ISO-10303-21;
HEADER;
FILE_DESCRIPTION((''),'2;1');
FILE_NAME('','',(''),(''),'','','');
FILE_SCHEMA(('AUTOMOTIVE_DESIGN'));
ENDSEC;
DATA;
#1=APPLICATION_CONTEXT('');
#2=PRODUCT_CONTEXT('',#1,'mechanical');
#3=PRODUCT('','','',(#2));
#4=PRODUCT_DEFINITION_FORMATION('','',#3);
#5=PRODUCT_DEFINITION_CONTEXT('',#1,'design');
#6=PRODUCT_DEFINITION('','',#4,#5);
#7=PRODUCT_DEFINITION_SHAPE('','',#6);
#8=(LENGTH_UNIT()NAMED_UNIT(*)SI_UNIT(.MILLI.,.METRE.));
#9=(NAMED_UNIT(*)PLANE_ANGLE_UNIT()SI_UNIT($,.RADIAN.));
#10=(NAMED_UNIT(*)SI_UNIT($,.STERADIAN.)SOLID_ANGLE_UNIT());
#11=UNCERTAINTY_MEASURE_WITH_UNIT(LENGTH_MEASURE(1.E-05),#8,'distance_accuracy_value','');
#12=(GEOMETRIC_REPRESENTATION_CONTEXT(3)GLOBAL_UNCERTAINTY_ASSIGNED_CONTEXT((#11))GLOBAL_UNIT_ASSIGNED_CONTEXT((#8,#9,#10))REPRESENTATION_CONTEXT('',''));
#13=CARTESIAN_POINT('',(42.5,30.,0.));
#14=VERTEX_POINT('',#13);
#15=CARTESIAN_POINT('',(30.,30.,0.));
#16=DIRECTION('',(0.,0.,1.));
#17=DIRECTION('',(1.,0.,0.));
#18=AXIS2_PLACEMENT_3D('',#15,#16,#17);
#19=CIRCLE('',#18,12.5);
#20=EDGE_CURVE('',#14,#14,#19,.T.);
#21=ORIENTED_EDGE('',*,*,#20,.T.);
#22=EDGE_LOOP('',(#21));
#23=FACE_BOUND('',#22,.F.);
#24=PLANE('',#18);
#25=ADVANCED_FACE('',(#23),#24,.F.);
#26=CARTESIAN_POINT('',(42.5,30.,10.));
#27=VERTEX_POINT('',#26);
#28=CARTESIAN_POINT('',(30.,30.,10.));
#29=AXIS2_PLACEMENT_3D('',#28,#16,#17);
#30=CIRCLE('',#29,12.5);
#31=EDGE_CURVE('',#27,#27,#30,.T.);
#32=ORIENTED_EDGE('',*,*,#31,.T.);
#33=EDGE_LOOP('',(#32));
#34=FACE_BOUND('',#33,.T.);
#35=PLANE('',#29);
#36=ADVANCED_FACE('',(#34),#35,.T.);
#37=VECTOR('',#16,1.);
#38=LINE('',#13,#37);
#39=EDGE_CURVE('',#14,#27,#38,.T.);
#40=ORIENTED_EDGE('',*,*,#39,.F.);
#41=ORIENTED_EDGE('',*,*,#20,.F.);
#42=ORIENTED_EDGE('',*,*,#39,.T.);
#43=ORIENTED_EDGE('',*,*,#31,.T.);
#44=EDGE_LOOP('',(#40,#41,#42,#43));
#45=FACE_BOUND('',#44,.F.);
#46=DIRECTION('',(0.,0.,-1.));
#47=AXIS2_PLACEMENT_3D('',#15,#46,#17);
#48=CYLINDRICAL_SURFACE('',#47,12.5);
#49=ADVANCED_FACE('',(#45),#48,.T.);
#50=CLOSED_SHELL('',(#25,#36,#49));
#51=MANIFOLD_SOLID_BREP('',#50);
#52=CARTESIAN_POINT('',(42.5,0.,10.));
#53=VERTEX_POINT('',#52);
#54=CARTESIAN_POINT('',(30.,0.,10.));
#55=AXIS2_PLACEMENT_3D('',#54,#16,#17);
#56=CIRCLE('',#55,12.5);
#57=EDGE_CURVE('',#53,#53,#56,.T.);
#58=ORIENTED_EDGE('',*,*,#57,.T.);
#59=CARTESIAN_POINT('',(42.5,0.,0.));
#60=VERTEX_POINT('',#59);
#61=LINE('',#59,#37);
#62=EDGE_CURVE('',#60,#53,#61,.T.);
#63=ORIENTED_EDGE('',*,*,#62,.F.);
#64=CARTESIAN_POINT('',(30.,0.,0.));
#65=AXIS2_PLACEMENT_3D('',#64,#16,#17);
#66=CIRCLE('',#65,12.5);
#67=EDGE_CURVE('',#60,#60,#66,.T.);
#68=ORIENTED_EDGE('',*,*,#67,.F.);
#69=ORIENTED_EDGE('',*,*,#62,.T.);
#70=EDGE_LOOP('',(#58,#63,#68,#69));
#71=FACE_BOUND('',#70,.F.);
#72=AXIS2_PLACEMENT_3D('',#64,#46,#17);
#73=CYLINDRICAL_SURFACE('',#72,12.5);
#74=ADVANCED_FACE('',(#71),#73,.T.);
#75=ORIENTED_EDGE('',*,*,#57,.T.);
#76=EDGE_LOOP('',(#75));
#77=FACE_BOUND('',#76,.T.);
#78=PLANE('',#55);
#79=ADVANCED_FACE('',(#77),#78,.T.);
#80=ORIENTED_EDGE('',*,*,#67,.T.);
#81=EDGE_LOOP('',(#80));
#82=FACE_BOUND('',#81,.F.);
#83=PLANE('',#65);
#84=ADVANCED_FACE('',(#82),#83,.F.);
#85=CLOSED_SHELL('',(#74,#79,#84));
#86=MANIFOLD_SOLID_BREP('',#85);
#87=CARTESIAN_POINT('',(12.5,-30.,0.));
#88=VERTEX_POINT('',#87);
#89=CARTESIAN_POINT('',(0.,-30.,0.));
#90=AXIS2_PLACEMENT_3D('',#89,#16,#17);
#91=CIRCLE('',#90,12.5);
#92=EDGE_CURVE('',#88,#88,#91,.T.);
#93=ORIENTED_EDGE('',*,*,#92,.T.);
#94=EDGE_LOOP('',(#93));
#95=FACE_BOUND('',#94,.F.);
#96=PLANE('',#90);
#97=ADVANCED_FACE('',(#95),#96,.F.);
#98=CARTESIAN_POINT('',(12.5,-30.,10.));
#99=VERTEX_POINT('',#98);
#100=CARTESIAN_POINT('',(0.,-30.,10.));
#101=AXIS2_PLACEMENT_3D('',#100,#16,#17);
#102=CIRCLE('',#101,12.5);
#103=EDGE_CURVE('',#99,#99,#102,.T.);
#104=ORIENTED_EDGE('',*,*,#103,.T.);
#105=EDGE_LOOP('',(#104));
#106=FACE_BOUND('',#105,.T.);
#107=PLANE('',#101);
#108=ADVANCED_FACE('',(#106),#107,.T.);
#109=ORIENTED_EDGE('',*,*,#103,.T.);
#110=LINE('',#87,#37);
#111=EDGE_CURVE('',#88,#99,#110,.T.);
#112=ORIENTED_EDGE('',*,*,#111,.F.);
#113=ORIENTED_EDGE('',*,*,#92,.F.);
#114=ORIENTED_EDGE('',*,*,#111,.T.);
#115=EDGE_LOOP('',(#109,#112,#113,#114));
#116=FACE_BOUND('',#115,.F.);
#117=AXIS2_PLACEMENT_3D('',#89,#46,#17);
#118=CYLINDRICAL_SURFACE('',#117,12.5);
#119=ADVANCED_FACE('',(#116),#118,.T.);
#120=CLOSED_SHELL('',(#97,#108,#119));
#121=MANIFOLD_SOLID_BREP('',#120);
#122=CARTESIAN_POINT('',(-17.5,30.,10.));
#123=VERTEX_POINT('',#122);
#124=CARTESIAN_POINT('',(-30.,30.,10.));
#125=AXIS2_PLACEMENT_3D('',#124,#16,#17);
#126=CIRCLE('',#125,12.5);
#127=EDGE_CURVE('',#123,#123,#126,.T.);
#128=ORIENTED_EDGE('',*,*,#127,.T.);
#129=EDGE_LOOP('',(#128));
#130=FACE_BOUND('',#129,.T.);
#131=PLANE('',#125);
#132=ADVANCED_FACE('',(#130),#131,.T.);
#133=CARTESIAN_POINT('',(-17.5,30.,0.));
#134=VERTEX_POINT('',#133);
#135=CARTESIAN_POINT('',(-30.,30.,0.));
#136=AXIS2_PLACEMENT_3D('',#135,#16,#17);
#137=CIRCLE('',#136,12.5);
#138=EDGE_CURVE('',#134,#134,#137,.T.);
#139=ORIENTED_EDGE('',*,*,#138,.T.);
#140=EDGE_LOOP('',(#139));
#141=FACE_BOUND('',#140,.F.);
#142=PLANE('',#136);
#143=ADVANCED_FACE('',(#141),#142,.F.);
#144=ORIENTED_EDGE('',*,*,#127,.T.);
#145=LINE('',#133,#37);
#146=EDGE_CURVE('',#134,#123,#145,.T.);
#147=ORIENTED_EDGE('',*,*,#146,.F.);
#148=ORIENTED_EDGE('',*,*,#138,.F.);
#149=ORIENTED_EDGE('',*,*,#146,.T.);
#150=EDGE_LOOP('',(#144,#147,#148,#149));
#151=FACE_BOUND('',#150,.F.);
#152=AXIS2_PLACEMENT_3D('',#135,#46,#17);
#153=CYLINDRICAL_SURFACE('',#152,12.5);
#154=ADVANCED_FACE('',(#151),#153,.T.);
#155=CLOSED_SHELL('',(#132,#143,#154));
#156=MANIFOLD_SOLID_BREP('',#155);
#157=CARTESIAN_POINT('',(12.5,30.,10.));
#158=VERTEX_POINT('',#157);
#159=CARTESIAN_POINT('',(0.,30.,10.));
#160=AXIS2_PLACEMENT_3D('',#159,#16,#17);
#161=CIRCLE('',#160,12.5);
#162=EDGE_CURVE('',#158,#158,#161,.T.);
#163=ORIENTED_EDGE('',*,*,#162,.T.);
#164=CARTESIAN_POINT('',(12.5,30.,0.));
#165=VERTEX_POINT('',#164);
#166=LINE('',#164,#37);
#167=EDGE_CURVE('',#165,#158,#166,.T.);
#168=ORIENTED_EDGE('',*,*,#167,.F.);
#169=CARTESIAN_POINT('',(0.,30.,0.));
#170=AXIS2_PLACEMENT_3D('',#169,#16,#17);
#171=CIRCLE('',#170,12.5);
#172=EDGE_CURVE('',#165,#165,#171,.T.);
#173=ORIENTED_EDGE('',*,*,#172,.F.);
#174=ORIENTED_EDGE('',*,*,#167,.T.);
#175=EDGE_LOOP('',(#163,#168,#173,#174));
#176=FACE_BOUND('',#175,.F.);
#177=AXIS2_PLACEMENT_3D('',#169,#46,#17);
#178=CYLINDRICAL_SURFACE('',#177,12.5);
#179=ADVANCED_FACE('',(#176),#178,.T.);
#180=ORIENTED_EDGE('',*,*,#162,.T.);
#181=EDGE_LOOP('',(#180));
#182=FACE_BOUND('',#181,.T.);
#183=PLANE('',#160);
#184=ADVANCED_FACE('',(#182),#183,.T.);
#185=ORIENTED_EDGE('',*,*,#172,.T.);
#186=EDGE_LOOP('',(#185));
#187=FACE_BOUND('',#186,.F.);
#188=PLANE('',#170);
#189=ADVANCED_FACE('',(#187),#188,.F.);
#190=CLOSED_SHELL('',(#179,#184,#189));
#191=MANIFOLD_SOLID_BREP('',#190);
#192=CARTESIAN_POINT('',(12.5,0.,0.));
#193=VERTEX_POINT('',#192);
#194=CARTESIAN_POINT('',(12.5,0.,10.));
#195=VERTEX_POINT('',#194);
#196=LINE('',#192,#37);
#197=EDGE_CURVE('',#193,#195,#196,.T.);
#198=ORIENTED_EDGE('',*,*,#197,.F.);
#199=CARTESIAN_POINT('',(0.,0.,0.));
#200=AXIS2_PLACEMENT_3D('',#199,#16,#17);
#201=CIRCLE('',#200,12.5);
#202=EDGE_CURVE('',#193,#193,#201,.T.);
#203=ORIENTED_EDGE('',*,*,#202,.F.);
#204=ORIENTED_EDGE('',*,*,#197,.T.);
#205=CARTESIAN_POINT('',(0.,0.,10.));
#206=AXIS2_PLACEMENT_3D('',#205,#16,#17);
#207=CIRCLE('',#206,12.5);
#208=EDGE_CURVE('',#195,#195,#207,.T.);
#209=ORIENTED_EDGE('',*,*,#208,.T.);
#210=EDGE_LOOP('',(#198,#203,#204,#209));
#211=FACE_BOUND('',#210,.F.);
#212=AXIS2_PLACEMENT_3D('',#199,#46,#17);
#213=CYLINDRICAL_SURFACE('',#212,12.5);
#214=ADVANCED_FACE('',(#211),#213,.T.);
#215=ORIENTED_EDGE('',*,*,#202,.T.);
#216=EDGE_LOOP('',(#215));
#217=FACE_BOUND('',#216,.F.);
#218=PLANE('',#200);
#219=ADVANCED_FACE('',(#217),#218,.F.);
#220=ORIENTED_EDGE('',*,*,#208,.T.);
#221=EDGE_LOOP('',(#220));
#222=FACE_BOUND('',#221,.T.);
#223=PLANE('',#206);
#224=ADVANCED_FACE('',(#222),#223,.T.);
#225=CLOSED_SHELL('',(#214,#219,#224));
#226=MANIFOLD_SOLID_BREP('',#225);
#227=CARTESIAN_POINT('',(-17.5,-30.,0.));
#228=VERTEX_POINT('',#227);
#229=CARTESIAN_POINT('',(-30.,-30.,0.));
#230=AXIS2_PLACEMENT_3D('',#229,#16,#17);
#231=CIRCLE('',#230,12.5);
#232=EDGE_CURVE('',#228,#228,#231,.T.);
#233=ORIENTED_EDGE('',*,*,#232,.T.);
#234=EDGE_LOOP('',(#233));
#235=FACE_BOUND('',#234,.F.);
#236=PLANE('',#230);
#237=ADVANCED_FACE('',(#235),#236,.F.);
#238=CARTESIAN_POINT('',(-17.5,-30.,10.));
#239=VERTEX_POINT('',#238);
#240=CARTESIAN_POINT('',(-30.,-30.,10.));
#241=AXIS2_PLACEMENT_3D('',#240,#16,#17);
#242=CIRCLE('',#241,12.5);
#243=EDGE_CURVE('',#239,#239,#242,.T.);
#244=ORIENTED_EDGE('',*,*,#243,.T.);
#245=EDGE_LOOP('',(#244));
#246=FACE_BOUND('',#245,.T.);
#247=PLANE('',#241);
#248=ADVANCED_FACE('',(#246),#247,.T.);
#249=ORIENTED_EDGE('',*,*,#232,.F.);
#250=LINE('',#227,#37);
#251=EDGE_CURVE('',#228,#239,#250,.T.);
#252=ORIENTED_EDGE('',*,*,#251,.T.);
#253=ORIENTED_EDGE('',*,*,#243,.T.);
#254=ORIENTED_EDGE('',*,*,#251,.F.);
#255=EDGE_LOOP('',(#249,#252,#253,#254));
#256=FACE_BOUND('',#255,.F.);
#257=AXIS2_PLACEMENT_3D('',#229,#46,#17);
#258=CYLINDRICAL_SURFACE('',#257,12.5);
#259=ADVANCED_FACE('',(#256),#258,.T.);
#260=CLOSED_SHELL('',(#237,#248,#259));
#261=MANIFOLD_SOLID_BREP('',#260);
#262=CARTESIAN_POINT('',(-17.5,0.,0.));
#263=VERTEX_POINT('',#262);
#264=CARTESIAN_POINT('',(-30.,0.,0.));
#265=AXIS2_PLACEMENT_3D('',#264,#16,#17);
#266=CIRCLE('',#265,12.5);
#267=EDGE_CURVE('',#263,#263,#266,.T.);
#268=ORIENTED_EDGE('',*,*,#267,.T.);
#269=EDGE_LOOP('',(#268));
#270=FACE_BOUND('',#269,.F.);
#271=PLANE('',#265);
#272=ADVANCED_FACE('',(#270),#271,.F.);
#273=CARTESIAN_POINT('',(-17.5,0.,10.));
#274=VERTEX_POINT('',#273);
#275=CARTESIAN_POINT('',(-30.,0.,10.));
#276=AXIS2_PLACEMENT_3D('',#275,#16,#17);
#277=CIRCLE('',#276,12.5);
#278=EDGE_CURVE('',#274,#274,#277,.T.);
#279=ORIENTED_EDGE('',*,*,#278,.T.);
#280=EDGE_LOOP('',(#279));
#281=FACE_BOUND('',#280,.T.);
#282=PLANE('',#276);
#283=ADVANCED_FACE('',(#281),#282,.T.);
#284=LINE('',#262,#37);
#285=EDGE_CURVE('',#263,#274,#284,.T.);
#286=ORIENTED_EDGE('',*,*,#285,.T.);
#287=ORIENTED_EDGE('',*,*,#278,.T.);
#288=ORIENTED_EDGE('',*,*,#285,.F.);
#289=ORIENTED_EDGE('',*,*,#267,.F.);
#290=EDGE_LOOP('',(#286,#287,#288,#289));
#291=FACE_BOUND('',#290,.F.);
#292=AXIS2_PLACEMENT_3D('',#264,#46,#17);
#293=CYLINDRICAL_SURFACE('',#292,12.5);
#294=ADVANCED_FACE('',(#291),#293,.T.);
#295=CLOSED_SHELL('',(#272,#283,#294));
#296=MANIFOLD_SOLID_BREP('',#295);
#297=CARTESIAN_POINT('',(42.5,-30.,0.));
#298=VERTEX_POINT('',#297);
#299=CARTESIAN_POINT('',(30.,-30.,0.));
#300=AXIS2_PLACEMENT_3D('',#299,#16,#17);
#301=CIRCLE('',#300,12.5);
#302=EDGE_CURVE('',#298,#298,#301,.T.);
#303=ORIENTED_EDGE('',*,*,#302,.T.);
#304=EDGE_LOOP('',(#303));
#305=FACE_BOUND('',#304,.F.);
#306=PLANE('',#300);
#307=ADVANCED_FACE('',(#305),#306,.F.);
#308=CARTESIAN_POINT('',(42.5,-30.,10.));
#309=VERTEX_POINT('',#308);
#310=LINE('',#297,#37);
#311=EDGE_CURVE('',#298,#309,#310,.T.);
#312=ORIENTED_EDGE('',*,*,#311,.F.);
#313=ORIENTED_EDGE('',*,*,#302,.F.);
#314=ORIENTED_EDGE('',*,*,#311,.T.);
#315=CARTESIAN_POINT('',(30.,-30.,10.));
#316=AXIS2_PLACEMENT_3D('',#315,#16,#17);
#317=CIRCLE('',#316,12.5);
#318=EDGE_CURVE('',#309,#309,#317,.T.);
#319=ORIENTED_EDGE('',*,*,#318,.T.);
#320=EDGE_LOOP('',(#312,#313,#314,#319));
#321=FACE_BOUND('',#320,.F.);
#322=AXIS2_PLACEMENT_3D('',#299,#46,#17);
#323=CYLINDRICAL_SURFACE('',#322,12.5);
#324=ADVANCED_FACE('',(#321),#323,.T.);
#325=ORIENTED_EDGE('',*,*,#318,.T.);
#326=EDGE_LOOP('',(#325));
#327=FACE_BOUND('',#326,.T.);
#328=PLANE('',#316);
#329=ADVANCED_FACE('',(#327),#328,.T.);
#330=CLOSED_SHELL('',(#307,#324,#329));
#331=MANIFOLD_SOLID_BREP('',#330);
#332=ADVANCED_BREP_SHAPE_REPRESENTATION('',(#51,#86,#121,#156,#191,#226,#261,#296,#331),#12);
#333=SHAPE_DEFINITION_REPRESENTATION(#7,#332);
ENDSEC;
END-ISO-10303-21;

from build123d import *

# Parameters (mm, degrees)
F0_R     = 12.5
F1_DEPTH = 10


with BuildPart() as f1:
    # F0 (on Top) → F1 (new body)
    with BuildSketch(Plane.XY):
        with Locations((-30, -30)):
            Circle(F0_R)
        with Locations((-30, 0)):
            Circle(F0_R)
        with Locations((-30, 30)):
            Circle(F0_R)
        with Locations((0, 30)):
            Circle(F0_R)
        Circle(F0_R)
        with Locations((0, -30)):
            Circle(F0_R)
        with Locations((30, -30)):
            Circle(F0_R)
        with Locations((30, 0)):
            Circle(F0_R)
        with Locations((30, 30)):
            Circle(F0_R)
    extrude(amount=F1_DEPTH)


solid = f1.part
